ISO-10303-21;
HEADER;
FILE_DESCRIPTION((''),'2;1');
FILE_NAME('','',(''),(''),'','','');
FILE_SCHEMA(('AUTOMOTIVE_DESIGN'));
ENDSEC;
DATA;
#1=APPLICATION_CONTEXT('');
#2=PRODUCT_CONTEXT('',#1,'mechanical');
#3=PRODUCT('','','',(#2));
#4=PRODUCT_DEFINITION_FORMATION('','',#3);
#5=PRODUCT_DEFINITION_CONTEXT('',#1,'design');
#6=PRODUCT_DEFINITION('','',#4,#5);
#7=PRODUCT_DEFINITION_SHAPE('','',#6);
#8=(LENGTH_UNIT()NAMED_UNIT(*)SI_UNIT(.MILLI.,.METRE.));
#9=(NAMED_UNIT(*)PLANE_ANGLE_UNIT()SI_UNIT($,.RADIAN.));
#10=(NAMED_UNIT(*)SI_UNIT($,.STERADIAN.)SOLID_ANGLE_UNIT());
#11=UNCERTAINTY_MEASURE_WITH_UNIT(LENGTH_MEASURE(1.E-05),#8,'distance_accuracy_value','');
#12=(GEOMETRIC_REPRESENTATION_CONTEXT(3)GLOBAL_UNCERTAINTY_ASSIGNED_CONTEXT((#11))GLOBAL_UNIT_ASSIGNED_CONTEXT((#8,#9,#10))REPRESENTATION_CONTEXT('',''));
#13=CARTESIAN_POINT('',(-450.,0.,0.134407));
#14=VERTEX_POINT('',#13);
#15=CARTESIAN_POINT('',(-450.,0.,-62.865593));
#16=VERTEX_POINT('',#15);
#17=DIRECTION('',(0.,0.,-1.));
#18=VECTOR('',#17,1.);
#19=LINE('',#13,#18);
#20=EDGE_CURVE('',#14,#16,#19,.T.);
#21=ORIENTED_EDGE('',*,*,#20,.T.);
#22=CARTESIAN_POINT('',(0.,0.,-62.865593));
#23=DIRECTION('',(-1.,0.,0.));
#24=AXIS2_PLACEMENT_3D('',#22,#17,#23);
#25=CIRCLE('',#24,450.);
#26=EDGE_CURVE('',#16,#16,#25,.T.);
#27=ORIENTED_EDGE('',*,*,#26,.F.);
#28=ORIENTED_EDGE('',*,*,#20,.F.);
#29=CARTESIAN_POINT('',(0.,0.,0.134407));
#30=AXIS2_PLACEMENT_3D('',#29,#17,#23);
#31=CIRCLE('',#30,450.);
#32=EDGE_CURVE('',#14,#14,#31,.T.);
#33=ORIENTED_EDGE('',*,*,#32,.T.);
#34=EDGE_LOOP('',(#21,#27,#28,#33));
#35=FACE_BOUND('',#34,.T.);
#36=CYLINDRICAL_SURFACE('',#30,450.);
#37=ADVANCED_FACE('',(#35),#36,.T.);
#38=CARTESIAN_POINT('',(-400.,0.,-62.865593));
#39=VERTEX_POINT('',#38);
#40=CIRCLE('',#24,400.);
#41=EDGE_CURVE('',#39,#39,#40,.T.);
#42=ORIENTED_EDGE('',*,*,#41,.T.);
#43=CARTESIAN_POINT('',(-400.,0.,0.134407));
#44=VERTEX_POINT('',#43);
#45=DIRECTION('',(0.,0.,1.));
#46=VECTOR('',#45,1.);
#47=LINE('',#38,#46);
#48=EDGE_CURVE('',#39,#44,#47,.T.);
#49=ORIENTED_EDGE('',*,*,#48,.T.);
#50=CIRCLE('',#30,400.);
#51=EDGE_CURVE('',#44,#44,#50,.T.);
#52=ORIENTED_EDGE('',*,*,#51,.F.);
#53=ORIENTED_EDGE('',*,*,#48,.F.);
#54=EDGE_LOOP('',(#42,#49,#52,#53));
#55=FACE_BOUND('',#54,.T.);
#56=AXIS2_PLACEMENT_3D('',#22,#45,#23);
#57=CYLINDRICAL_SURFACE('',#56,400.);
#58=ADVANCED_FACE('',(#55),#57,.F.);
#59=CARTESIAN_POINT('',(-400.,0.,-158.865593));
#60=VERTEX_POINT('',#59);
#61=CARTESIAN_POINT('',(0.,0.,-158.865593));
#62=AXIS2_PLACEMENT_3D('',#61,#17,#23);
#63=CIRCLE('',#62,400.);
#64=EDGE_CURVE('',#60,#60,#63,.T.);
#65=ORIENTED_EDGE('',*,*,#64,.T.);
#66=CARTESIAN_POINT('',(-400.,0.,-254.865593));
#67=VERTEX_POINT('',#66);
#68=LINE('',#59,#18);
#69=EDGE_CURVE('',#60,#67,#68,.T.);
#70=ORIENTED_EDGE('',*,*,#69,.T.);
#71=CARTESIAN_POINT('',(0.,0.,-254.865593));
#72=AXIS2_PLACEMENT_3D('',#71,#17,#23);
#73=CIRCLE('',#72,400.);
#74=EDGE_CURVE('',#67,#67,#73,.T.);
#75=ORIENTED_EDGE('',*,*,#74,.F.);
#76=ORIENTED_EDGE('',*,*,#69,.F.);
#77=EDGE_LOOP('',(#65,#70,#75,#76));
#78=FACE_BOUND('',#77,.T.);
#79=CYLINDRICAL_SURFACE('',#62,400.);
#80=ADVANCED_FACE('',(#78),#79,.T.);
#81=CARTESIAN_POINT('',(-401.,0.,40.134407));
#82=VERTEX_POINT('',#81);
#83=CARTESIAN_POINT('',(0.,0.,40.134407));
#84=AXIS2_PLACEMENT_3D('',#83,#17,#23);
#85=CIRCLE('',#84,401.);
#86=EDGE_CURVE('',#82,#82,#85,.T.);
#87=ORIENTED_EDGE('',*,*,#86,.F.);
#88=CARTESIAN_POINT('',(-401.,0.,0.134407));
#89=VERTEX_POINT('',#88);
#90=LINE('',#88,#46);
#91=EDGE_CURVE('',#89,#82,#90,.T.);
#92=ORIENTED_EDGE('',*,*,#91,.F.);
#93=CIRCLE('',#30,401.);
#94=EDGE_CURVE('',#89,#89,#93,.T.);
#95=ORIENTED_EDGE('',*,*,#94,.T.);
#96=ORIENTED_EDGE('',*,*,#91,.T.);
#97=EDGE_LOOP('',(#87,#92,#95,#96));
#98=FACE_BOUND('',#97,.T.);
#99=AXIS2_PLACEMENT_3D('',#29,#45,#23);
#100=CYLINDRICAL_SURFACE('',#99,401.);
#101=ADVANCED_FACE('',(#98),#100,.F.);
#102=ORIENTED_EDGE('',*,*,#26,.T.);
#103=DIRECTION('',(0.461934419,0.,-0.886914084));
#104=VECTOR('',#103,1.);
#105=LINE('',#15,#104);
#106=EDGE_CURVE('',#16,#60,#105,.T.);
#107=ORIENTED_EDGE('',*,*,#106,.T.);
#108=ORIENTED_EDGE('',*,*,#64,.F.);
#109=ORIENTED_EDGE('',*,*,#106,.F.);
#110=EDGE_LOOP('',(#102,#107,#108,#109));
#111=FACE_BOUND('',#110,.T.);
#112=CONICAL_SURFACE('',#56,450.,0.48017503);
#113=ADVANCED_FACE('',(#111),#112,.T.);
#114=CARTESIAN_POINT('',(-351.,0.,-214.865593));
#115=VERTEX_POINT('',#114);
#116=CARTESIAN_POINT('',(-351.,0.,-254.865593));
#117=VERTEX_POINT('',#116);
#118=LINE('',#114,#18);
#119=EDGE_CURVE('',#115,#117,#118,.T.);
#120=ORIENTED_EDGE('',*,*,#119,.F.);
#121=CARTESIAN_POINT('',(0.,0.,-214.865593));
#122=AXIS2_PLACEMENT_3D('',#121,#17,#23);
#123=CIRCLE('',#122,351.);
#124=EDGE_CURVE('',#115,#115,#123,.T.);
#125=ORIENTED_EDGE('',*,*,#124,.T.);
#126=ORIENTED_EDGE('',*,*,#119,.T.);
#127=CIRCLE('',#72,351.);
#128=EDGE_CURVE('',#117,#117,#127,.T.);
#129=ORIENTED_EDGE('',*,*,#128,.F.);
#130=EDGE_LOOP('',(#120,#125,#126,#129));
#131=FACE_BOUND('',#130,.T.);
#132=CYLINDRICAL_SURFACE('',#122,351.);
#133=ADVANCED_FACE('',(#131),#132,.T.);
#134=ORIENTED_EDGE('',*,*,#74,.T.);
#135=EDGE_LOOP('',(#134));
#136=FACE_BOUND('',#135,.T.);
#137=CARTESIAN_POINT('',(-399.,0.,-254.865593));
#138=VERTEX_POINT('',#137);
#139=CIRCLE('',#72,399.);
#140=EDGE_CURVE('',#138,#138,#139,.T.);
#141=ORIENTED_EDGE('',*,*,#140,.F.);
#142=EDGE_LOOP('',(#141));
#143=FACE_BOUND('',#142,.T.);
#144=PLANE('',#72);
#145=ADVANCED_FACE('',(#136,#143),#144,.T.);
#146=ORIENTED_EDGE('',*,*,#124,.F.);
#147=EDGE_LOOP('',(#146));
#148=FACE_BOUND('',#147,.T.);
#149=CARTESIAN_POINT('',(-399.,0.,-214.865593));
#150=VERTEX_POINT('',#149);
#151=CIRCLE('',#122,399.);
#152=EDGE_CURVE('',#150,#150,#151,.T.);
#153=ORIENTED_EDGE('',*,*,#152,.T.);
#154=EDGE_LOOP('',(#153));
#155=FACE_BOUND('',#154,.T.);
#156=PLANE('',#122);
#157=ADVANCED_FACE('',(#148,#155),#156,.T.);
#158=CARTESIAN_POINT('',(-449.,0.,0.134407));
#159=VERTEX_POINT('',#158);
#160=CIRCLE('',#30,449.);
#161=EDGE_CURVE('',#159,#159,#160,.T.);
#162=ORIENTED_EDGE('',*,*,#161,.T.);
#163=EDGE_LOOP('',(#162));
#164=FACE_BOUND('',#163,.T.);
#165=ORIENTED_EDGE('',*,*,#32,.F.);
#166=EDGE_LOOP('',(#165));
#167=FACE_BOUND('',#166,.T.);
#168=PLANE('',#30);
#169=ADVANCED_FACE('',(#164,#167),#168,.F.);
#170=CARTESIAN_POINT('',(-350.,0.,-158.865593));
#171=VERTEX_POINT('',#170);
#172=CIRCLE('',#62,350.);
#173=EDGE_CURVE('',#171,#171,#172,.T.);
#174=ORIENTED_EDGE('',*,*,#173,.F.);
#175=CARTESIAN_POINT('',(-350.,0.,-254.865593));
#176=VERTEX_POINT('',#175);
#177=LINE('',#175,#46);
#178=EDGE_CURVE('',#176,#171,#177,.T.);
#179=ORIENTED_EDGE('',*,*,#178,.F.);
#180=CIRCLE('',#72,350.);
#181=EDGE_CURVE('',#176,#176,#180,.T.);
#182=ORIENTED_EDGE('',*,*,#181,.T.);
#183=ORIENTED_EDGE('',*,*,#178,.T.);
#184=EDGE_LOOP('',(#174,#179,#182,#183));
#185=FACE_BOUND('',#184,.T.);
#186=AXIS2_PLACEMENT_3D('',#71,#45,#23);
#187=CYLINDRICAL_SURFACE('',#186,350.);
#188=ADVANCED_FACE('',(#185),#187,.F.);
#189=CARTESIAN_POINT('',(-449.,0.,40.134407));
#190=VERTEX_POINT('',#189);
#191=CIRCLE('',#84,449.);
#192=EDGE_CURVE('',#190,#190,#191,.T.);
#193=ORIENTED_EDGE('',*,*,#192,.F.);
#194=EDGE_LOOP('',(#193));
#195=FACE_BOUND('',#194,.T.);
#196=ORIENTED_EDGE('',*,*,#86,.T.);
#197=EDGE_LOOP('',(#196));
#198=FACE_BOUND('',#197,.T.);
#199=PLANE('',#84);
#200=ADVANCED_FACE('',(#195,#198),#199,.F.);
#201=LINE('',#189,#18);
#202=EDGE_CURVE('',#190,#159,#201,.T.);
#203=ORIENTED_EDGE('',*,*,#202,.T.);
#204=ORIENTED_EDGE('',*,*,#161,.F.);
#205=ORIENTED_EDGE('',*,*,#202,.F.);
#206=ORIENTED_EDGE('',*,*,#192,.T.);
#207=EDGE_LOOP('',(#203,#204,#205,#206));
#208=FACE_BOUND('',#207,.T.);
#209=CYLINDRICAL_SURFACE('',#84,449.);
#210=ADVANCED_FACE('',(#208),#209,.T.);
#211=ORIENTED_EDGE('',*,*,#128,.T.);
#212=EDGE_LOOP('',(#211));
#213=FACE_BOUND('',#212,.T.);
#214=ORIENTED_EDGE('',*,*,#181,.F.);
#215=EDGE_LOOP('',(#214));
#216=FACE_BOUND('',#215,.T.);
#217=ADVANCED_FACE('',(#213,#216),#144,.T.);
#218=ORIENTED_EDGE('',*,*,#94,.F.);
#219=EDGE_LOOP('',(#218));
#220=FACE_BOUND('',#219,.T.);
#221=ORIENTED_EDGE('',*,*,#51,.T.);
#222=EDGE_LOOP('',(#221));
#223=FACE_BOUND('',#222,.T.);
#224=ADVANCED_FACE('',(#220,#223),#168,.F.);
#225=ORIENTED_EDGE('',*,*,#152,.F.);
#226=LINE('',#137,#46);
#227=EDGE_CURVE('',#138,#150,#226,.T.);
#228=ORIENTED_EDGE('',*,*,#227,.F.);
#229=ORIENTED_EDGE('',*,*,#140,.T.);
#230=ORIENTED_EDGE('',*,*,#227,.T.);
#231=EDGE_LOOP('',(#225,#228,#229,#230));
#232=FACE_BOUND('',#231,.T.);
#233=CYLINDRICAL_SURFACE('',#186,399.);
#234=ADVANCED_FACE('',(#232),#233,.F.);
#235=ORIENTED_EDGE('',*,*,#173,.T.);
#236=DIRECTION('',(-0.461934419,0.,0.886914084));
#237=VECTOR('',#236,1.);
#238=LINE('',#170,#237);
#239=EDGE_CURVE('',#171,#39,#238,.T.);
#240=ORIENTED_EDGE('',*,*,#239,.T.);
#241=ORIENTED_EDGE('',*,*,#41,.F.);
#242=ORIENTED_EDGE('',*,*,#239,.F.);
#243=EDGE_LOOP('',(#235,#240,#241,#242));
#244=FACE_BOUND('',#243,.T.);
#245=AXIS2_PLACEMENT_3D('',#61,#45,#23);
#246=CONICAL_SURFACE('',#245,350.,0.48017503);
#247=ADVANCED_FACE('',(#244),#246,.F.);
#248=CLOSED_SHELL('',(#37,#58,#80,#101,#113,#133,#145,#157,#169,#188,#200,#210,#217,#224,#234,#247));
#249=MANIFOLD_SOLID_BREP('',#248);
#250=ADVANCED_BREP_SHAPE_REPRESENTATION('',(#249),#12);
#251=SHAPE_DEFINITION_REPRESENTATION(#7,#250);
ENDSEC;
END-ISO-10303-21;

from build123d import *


with BuildPart() as f1:
    # F0 (on Front) → F1 (revolve)
    with BuildSketch(Plane.XZ):
        Polygon((-351, -254.865593), (-350, -254.865593), (-350, -158.865593), (-400, -62.865593), (-400, 0.134407), (-401, 0.134407), (-401, 40.134407), (-449, 40.134407), (-449, 0.134407), (-450, 0.134407), (-450, -62.865593), (-400, -158.865593), (-400, -254.865593), (-399, -254.865593), (-399, -214.865593), (-351, -214.865593), align=None)
    revolve(axis=Axis((0, 0, -0.829662), (0, 0, -1)))


solid = f1.part
